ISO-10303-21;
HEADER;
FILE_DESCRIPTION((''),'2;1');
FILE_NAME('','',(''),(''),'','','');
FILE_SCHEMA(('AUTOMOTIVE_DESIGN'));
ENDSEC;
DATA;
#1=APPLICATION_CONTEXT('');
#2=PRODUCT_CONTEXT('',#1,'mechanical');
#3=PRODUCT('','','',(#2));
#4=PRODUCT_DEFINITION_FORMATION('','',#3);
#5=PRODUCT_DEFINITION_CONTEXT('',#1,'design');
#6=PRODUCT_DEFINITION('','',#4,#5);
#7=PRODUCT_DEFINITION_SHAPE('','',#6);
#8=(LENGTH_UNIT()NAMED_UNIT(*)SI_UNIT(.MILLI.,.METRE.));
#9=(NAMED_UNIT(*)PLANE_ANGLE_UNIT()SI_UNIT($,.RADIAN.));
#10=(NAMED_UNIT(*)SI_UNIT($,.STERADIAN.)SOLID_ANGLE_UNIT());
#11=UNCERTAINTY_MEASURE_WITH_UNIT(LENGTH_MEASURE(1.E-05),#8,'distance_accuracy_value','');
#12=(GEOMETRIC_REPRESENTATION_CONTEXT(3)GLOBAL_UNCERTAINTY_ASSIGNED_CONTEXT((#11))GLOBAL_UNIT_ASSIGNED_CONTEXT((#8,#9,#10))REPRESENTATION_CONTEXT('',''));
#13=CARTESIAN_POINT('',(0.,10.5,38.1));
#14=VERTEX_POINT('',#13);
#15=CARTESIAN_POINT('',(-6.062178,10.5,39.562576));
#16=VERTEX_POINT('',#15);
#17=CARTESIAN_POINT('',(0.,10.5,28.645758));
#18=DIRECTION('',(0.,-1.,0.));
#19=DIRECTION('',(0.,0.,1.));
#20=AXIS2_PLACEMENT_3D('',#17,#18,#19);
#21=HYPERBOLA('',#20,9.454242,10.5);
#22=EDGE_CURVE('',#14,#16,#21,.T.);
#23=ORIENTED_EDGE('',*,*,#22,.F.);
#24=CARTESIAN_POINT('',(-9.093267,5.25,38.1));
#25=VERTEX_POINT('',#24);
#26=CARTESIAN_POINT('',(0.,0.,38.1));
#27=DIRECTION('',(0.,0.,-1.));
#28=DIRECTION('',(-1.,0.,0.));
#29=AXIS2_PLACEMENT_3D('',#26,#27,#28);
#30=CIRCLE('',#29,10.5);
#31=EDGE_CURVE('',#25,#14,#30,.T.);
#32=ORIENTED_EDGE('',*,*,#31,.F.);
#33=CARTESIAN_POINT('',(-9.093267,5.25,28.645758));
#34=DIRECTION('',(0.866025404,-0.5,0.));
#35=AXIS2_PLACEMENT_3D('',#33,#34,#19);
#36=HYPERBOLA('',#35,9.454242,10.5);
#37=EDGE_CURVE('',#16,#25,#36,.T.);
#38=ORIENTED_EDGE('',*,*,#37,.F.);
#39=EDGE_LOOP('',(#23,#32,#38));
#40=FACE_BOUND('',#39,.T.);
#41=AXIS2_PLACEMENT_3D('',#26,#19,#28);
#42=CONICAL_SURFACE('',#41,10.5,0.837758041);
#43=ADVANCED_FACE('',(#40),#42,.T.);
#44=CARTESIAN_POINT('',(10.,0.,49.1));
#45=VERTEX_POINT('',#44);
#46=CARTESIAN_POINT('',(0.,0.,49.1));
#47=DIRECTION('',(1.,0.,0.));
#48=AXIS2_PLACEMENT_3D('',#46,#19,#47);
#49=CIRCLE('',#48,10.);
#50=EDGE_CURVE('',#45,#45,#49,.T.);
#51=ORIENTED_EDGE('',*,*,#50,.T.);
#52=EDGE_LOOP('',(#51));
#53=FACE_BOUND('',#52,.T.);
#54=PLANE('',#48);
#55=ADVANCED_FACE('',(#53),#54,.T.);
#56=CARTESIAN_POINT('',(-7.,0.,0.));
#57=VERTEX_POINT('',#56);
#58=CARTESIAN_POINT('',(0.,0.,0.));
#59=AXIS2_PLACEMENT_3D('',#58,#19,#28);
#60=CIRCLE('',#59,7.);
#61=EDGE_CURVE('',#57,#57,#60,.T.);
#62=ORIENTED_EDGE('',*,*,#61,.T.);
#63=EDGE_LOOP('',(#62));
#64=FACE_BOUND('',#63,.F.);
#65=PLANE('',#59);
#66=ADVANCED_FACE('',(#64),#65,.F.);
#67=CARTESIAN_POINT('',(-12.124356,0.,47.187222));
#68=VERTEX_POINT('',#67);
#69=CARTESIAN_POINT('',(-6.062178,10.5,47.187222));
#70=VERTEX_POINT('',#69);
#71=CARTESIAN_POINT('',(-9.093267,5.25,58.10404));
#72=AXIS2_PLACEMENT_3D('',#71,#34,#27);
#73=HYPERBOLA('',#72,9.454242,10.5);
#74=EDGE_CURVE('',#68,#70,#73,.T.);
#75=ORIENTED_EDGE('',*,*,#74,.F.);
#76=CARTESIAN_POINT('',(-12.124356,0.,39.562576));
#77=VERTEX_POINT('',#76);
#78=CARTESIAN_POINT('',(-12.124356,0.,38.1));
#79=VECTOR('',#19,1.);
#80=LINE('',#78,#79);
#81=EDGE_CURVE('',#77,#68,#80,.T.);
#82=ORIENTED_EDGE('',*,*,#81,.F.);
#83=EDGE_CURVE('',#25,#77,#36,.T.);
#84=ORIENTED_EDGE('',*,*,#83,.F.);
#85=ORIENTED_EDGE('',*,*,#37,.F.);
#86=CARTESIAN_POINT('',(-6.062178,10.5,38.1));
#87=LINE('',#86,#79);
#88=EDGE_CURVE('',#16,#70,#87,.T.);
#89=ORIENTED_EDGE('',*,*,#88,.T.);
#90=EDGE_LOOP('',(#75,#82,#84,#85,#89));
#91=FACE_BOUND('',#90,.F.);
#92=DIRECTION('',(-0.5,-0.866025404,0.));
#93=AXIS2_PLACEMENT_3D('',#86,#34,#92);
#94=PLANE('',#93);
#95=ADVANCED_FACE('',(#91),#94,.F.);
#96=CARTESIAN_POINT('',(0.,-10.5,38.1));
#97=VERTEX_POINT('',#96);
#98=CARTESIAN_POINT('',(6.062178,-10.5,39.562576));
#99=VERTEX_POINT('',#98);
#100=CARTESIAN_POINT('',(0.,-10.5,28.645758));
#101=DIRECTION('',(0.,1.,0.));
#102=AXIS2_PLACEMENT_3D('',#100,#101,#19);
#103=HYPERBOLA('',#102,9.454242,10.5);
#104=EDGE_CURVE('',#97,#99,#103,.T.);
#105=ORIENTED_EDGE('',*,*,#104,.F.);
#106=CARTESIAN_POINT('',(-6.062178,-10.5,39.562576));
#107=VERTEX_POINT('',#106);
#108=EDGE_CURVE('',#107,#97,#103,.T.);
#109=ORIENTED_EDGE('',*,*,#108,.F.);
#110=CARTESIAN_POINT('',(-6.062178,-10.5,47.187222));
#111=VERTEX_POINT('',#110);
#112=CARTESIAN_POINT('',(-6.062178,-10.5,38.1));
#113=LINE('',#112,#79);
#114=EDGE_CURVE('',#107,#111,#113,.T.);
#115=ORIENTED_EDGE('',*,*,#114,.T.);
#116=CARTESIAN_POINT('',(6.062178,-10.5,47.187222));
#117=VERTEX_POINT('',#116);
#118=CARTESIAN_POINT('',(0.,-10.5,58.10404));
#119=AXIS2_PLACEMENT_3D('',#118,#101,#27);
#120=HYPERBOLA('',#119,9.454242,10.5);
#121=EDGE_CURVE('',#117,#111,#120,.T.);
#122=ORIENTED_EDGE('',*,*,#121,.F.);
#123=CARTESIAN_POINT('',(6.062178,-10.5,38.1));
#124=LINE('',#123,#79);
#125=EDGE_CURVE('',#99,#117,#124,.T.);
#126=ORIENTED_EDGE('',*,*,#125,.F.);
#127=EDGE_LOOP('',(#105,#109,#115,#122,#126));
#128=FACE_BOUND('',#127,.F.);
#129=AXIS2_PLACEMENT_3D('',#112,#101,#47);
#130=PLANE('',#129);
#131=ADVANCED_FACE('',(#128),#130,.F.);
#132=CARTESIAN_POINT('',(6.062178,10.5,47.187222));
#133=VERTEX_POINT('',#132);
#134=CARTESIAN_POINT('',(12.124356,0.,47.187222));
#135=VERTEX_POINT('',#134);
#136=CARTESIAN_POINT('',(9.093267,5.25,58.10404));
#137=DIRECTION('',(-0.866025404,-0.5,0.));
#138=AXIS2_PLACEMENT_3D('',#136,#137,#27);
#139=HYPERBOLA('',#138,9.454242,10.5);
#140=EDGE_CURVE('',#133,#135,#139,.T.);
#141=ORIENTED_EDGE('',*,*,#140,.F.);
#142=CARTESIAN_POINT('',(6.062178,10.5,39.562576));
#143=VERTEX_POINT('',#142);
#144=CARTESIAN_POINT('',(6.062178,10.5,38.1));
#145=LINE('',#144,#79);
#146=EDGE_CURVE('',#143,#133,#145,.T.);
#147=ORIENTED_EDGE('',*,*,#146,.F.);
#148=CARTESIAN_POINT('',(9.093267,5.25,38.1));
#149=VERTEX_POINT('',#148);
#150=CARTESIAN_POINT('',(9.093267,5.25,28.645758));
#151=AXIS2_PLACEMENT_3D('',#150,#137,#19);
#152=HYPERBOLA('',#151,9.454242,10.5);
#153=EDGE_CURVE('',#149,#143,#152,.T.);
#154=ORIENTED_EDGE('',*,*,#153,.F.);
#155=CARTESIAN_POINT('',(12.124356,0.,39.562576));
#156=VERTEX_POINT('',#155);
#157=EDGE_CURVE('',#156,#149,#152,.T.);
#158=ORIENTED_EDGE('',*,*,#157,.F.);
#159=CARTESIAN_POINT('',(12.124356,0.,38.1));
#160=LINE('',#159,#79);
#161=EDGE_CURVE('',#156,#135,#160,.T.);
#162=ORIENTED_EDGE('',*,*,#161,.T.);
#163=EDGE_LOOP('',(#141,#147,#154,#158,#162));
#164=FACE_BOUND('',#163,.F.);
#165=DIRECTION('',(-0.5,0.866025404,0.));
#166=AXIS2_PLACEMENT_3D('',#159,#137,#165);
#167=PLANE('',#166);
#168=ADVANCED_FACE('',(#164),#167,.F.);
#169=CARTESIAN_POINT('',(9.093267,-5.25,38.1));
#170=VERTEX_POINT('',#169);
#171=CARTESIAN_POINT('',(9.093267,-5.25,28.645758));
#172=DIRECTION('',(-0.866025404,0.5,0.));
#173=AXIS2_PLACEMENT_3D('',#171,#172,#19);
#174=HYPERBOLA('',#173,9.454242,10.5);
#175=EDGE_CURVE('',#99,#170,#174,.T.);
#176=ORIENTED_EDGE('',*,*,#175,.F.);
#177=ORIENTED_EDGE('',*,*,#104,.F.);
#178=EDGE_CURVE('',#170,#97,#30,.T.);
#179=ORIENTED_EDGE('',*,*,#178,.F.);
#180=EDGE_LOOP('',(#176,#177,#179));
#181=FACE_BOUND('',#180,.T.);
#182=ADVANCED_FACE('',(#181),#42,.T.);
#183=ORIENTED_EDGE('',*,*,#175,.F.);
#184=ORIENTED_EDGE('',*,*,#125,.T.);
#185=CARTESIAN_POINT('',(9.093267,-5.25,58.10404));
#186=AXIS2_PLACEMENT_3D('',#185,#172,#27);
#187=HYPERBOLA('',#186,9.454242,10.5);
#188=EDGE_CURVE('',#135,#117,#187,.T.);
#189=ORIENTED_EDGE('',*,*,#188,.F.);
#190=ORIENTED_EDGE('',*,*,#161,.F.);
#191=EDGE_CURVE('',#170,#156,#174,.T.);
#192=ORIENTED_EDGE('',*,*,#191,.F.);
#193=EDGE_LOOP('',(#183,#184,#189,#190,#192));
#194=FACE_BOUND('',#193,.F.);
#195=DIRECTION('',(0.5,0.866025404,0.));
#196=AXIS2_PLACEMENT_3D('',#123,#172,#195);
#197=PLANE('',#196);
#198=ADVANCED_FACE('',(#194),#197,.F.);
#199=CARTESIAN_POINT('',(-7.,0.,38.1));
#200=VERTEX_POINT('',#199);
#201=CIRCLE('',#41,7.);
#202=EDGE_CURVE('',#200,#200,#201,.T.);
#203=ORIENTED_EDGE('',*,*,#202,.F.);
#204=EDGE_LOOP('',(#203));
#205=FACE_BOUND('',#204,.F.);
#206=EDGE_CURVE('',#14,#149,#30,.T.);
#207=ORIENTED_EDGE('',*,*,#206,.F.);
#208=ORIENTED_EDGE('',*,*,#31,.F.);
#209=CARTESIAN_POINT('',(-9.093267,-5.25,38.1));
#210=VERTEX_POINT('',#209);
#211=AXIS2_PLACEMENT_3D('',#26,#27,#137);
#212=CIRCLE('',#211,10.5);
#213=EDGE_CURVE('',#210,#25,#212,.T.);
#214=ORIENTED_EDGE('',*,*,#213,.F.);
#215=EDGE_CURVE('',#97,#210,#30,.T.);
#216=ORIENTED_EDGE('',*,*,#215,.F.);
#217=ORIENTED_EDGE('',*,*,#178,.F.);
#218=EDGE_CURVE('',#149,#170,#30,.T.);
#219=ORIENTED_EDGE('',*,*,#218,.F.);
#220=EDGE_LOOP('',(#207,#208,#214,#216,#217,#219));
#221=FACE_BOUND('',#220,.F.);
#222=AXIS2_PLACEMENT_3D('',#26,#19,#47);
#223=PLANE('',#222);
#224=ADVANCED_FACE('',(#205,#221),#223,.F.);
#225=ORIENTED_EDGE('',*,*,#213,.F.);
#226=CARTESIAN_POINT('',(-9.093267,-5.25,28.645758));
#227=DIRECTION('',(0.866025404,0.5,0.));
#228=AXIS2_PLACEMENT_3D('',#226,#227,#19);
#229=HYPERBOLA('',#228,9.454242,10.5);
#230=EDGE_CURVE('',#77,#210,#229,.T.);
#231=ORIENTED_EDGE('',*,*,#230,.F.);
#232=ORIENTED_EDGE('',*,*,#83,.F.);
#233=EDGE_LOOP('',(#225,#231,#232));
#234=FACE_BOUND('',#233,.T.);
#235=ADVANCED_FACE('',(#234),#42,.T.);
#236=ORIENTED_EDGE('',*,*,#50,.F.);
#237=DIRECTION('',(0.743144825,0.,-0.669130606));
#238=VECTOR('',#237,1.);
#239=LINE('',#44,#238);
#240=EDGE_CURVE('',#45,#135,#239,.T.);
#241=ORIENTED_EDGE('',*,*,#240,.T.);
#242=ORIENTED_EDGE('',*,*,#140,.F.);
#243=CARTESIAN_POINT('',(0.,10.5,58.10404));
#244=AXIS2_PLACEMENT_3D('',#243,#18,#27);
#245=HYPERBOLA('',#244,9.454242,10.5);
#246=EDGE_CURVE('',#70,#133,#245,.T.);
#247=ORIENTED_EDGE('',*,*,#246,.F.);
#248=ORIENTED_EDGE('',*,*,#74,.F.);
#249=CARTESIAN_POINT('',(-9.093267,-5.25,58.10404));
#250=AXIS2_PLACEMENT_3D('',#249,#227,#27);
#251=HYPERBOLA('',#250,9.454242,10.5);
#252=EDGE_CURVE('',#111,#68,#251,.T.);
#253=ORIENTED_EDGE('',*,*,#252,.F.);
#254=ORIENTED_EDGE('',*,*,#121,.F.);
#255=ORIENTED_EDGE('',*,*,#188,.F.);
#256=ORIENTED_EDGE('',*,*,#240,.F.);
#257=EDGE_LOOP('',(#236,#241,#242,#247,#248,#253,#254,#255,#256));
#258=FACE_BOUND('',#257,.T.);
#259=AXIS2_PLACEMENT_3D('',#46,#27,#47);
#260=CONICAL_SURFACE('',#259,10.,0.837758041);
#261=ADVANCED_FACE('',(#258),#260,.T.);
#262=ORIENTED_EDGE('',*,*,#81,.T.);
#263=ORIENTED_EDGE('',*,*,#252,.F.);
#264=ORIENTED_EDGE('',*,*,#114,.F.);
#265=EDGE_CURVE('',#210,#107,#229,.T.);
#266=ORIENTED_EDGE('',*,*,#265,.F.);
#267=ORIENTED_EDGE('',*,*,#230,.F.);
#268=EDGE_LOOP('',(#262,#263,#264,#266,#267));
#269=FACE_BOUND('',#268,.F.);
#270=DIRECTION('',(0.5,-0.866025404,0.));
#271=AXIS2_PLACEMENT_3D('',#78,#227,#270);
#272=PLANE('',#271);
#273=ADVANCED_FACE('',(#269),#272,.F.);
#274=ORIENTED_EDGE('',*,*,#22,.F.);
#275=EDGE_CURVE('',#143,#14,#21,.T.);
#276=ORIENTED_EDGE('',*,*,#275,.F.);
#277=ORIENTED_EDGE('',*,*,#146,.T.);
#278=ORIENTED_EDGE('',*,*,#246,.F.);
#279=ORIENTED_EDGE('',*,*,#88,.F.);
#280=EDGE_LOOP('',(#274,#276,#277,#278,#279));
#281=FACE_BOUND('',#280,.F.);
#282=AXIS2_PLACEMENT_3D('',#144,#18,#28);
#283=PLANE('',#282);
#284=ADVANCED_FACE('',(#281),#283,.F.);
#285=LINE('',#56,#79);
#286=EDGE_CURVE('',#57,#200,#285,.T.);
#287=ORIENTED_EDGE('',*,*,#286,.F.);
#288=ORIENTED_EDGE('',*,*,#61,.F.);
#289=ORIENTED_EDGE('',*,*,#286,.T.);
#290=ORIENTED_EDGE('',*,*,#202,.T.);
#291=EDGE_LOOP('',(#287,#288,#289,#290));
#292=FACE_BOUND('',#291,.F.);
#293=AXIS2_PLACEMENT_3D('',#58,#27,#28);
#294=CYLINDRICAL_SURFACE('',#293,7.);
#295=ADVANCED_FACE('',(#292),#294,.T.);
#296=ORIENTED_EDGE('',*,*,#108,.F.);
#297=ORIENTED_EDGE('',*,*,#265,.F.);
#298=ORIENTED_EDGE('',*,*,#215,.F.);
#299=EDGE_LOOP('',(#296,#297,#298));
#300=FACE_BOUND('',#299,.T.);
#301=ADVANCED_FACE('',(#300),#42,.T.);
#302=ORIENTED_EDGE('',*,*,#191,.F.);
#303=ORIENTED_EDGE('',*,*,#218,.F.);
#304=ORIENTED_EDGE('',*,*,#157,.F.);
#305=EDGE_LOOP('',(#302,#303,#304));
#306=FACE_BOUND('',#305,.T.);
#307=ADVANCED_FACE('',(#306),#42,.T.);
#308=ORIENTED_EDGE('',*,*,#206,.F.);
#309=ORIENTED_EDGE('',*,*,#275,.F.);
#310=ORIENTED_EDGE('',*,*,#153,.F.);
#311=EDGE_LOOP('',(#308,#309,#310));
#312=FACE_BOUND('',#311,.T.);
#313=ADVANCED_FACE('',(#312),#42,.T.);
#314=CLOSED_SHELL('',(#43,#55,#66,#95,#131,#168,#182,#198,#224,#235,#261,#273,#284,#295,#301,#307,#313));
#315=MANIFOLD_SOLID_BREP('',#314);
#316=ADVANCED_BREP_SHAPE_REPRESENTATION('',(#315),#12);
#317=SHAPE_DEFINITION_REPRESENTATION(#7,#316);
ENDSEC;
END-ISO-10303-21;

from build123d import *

# Parameters (mm, degrees)
CROQUIS1_R              = 7
SALIENTE_EXTRUIR1_DEPTH = 38.1
SALIENTE_EXTRUIR2_DEPTH = 11
CROQUIS3_R              = 27.5
CROQUIS3_R_2            = 10
CORTAR_EXTRUIR1_DEPTH   = 8
CORTAR_EXTRUIR1_DRAFT   = -48
CROQUIS4_R              = 37.959799744
CROQUIS4_R_2            = 10.5
CORTAR_EXTRUIR2_DEPTH   = 11
CORTAR_EXTRUIR2_DRAFT   = -48


with BuildPart() as part:
    # Croquis1 → Saliente-Extruir1 (new body)
    with BuildSketch(Plane.XY):
        with Locations(Location((0, 0, 0), (0, 0, 180))):
            Circle(CROQUIS1_R)
    extrude(amount=SALIENTE_EXTRUIR1_DEPTH)

    # Croquis2 → Saliente-Extruir2 (add)
    with BuildSketch(Plane.XY.offset(38.1)):
        Polygon((12.124355653, 0), (6.062177826, 10.5), (-6.062177826, 10.5), (-12.124355653, 0), (-6.062177826, -10.5), (6.062177826, -10.5), align=None)
    extrude(amount=SALIENTE_EXTRUIR2_DEPTH)


with BuildPart() as cortar_extruir1_tool:
    # Croquis3 → Cortar-Extruir1 (with draft: the straight prism first)
    with BuildSketch(Plane.XY.offset(49.1)):
        Circle(CROQUIS3_R)
        Circle(CROQUIS3_R_2, mode=Mode.SUBTRACT)
    extrude(amount=-CORTAR_EXTRUIR1_DEPTH)
    # Cortar-Extruir1: the draft: its side faces are tilted about the plane it starts from
    cortar_extruir1_sides = [cortar_extruir1_tool.faces().sort_by_distance(p)[0] for p in [
        (-27.5, 0, 45.1),
        (-10, 0, 45.1),
    ]]
    draft(cortar_extruir1_sides, Plane.XY.offset(49.1), CORTAR_EXTRUIR1_DRAFT)


with BuildPart() as part_1:
    add(part.part)

    # Cortar-Extruir1: cut by cortar_extruir1_tool
    add(cortar_extruir1_tool.part, mode=Mode.SUBTRACT)


with BuildPart() as cortar_extruir2_tool:
    # Croquis4 → Cortar-Extruir2 (with draft: the straight prism first)
    with BuildSketch(Plane(origin=(0, 0, 38.1), x_dir=(-1, 0, 0), z_dir=(0, 0, -1))):
        Circle(CROQUIS4_R)
        Circle(CROQUIS4_R_2, mode=Mode.SUBTRACT)
    extrude(amount=-CORTAR_EXTRUIR2_DEPTH)
    # Cortar-Extruir2: the draft: its side faces are tilted about the plane it starts from
    cortar_extruir2_sides = [cortar_extruir2_tool.faces().sort_by_distance(p)[0] for p in [
        (37.959799744, 0, 43.6),
        (10.5, 0, 43.6),
    ]]
    draft(cortar_extruir2_sides, Plane(origin=(0, 0, 38.1), x_dir=(-1, 0, 0), z_dir=(0, 0, -1)), CORTAR_EXTRUIR2_DRAFT)


with BuildPart() as part_2:
    add(part_1.part)

    # Cortar-Extruir2: cut by cortar_extruir2_tool
    add(cortar_extruir2_tool.part, mode=Mode.SUBTRACT)


solid = part_2.part
